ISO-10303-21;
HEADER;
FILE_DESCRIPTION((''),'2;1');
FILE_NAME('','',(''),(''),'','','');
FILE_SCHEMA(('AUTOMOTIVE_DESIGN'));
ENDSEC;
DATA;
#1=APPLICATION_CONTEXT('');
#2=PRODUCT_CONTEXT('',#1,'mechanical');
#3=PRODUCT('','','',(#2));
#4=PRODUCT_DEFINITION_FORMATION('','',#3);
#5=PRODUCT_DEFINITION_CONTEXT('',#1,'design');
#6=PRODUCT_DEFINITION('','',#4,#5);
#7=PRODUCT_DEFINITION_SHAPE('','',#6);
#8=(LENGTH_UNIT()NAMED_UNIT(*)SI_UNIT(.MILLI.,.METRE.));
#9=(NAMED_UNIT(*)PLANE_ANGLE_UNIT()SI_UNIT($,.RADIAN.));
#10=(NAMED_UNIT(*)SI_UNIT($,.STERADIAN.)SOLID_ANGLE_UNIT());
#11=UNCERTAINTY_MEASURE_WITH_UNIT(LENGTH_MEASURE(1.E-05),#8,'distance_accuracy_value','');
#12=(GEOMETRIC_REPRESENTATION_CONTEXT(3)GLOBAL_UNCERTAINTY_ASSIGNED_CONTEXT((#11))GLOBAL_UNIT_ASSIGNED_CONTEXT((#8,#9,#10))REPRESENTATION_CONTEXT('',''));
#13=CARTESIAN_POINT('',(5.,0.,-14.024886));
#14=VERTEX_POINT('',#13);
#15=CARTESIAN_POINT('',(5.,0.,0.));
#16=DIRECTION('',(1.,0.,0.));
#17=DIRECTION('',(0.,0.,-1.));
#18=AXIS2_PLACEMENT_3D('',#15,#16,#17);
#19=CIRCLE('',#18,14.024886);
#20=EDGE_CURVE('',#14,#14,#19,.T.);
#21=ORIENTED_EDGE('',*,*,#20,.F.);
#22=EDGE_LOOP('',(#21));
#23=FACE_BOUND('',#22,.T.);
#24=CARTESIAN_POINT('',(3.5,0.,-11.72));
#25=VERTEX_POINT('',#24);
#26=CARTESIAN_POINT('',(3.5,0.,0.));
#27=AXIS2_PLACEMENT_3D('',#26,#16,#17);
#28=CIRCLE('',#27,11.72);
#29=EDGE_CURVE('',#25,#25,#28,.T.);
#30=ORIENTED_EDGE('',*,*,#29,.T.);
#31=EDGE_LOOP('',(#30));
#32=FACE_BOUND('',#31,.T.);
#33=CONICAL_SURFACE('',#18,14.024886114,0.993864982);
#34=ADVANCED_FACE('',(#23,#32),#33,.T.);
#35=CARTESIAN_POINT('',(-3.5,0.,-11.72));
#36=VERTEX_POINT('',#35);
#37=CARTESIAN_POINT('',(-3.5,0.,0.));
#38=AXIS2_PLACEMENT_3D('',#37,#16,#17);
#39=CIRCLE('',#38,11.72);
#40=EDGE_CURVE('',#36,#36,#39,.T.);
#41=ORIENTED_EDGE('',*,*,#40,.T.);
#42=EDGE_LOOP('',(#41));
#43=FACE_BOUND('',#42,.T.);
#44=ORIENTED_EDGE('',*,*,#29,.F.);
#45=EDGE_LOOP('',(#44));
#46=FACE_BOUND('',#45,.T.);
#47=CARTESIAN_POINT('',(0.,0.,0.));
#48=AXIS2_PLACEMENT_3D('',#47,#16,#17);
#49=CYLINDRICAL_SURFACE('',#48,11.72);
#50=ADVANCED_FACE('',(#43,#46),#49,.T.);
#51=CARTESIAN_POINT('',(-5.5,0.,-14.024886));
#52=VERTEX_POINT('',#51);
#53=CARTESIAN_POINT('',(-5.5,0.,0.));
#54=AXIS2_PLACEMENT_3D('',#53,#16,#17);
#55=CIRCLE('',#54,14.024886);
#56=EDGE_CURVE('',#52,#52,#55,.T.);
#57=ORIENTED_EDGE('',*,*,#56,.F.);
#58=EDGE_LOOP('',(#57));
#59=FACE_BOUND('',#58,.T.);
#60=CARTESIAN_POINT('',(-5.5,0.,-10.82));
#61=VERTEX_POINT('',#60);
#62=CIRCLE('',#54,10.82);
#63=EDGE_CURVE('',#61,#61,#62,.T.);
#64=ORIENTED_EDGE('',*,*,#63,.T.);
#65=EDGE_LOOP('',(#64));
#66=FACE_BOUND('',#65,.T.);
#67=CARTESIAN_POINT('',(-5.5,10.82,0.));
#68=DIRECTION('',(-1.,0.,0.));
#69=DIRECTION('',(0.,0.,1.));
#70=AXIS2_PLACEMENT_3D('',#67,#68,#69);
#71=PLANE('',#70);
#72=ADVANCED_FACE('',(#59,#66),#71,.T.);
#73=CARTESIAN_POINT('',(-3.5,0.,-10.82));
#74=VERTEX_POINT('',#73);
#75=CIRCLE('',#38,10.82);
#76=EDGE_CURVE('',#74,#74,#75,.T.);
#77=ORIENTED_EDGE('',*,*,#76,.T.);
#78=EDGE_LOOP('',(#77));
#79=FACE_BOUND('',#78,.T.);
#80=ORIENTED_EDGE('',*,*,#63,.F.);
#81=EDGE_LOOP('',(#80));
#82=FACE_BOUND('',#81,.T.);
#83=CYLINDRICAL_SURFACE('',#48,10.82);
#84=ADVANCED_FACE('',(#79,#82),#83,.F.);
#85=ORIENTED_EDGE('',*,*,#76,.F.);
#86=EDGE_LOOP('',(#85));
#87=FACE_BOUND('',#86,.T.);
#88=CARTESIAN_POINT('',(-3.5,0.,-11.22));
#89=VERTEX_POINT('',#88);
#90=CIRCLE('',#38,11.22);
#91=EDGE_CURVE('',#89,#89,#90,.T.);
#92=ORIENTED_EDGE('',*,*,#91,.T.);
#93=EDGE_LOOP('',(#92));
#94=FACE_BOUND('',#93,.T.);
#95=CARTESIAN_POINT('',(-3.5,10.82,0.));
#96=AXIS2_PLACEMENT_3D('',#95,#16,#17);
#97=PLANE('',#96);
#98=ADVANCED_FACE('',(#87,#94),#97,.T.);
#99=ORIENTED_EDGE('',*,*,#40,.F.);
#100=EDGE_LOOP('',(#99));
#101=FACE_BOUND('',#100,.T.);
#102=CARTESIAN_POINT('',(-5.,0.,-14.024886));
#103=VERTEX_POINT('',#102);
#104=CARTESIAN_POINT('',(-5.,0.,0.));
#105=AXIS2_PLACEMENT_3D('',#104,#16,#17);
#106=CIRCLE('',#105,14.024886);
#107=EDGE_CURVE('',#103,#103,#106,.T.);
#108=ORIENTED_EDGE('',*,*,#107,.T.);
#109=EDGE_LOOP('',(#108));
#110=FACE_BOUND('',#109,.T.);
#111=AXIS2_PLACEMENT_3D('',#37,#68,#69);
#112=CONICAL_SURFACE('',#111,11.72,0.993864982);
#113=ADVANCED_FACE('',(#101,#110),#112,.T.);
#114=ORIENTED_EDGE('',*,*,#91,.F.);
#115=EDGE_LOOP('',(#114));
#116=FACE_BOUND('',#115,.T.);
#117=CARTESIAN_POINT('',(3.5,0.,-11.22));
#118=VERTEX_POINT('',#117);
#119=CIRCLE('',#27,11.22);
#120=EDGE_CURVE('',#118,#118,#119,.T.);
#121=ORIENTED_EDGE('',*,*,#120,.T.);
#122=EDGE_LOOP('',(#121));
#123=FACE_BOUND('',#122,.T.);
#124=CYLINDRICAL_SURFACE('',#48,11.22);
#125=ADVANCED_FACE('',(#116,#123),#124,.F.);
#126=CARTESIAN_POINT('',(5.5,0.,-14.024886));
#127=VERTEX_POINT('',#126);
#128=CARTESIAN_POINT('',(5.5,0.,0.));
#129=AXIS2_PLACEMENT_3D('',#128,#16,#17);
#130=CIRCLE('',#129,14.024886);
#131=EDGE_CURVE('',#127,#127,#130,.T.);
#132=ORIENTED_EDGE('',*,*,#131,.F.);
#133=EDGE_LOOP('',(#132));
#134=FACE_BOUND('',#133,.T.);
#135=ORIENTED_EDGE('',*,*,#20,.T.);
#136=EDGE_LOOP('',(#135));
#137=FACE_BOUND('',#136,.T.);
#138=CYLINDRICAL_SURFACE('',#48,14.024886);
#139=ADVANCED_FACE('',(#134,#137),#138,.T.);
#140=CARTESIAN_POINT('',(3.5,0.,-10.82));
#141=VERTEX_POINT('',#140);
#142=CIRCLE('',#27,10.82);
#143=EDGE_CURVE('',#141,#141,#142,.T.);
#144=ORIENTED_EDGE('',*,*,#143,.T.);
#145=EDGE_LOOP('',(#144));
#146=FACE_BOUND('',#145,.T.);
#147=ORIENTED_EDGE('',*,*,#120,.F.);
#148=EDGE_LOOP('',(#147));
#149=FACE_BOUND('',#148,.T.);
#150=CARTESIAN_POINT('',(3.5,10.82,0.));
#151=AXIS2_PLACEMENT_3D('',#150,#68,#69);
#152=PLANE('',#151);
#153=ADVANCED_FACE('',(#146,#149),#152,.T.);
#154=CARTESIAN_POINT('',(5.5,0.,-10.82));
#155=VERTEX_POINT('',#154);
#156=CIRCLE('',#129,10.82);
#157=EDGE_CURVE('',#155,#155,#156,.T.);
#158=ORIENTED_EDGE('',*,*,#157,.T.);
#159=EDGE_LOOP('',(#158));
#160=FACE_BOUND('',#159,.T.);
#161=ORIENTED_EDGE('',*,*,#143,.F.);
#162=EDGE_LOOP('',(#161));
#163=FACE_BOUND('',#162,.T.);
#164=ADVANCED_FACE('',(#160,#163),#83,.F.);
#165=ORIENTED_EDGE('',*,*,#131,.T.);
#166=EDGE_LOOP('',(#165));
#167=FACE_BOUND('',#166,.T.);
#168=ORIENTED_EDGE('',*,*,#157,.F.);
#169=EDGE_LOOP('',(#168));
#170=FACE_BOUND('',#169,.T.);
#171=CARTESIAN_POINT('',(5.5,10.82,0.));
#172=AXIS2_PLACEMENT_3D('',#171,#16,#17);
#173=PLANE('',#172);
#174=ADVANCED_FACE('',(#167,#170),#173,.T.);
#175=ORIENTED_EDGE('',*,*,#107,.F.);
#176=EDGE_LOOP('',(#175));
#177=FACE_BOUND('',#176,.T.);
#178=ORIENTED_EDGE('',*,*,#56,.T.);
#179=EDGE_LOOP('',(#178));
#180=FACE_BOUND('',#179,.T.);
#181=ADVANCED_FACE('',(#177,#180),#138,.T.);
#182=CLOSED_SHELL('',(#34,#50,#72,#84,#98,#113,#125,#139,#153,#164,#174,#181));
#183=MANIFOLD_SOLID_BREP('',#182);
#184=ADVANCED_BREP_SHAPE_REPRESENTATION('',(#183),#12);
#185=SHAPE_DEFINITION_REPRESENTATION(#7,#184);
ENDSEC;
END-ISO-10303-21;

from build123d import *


with BuildPart() as part:
    # Sketch1 → Revolve1 (revolve)
    with BuildSketch(Plane.XY):
        Polygon((-3.5, 11.72), (-5, 14.024886114), (-5.5, 14.024886114), (-5.5, 10.82), (-3.5, 10.82), (-3.5, 11.22), (3.5, 11.22), (3.5, 10.82), (5.5, 10.82), (5.5, 14.024886114), (5, 14.024886114), (3.5, 11.72), align=None)
    revolve(axis=Axis((0, 0, 0), (-1, 0, 0)))


solid = part.part
